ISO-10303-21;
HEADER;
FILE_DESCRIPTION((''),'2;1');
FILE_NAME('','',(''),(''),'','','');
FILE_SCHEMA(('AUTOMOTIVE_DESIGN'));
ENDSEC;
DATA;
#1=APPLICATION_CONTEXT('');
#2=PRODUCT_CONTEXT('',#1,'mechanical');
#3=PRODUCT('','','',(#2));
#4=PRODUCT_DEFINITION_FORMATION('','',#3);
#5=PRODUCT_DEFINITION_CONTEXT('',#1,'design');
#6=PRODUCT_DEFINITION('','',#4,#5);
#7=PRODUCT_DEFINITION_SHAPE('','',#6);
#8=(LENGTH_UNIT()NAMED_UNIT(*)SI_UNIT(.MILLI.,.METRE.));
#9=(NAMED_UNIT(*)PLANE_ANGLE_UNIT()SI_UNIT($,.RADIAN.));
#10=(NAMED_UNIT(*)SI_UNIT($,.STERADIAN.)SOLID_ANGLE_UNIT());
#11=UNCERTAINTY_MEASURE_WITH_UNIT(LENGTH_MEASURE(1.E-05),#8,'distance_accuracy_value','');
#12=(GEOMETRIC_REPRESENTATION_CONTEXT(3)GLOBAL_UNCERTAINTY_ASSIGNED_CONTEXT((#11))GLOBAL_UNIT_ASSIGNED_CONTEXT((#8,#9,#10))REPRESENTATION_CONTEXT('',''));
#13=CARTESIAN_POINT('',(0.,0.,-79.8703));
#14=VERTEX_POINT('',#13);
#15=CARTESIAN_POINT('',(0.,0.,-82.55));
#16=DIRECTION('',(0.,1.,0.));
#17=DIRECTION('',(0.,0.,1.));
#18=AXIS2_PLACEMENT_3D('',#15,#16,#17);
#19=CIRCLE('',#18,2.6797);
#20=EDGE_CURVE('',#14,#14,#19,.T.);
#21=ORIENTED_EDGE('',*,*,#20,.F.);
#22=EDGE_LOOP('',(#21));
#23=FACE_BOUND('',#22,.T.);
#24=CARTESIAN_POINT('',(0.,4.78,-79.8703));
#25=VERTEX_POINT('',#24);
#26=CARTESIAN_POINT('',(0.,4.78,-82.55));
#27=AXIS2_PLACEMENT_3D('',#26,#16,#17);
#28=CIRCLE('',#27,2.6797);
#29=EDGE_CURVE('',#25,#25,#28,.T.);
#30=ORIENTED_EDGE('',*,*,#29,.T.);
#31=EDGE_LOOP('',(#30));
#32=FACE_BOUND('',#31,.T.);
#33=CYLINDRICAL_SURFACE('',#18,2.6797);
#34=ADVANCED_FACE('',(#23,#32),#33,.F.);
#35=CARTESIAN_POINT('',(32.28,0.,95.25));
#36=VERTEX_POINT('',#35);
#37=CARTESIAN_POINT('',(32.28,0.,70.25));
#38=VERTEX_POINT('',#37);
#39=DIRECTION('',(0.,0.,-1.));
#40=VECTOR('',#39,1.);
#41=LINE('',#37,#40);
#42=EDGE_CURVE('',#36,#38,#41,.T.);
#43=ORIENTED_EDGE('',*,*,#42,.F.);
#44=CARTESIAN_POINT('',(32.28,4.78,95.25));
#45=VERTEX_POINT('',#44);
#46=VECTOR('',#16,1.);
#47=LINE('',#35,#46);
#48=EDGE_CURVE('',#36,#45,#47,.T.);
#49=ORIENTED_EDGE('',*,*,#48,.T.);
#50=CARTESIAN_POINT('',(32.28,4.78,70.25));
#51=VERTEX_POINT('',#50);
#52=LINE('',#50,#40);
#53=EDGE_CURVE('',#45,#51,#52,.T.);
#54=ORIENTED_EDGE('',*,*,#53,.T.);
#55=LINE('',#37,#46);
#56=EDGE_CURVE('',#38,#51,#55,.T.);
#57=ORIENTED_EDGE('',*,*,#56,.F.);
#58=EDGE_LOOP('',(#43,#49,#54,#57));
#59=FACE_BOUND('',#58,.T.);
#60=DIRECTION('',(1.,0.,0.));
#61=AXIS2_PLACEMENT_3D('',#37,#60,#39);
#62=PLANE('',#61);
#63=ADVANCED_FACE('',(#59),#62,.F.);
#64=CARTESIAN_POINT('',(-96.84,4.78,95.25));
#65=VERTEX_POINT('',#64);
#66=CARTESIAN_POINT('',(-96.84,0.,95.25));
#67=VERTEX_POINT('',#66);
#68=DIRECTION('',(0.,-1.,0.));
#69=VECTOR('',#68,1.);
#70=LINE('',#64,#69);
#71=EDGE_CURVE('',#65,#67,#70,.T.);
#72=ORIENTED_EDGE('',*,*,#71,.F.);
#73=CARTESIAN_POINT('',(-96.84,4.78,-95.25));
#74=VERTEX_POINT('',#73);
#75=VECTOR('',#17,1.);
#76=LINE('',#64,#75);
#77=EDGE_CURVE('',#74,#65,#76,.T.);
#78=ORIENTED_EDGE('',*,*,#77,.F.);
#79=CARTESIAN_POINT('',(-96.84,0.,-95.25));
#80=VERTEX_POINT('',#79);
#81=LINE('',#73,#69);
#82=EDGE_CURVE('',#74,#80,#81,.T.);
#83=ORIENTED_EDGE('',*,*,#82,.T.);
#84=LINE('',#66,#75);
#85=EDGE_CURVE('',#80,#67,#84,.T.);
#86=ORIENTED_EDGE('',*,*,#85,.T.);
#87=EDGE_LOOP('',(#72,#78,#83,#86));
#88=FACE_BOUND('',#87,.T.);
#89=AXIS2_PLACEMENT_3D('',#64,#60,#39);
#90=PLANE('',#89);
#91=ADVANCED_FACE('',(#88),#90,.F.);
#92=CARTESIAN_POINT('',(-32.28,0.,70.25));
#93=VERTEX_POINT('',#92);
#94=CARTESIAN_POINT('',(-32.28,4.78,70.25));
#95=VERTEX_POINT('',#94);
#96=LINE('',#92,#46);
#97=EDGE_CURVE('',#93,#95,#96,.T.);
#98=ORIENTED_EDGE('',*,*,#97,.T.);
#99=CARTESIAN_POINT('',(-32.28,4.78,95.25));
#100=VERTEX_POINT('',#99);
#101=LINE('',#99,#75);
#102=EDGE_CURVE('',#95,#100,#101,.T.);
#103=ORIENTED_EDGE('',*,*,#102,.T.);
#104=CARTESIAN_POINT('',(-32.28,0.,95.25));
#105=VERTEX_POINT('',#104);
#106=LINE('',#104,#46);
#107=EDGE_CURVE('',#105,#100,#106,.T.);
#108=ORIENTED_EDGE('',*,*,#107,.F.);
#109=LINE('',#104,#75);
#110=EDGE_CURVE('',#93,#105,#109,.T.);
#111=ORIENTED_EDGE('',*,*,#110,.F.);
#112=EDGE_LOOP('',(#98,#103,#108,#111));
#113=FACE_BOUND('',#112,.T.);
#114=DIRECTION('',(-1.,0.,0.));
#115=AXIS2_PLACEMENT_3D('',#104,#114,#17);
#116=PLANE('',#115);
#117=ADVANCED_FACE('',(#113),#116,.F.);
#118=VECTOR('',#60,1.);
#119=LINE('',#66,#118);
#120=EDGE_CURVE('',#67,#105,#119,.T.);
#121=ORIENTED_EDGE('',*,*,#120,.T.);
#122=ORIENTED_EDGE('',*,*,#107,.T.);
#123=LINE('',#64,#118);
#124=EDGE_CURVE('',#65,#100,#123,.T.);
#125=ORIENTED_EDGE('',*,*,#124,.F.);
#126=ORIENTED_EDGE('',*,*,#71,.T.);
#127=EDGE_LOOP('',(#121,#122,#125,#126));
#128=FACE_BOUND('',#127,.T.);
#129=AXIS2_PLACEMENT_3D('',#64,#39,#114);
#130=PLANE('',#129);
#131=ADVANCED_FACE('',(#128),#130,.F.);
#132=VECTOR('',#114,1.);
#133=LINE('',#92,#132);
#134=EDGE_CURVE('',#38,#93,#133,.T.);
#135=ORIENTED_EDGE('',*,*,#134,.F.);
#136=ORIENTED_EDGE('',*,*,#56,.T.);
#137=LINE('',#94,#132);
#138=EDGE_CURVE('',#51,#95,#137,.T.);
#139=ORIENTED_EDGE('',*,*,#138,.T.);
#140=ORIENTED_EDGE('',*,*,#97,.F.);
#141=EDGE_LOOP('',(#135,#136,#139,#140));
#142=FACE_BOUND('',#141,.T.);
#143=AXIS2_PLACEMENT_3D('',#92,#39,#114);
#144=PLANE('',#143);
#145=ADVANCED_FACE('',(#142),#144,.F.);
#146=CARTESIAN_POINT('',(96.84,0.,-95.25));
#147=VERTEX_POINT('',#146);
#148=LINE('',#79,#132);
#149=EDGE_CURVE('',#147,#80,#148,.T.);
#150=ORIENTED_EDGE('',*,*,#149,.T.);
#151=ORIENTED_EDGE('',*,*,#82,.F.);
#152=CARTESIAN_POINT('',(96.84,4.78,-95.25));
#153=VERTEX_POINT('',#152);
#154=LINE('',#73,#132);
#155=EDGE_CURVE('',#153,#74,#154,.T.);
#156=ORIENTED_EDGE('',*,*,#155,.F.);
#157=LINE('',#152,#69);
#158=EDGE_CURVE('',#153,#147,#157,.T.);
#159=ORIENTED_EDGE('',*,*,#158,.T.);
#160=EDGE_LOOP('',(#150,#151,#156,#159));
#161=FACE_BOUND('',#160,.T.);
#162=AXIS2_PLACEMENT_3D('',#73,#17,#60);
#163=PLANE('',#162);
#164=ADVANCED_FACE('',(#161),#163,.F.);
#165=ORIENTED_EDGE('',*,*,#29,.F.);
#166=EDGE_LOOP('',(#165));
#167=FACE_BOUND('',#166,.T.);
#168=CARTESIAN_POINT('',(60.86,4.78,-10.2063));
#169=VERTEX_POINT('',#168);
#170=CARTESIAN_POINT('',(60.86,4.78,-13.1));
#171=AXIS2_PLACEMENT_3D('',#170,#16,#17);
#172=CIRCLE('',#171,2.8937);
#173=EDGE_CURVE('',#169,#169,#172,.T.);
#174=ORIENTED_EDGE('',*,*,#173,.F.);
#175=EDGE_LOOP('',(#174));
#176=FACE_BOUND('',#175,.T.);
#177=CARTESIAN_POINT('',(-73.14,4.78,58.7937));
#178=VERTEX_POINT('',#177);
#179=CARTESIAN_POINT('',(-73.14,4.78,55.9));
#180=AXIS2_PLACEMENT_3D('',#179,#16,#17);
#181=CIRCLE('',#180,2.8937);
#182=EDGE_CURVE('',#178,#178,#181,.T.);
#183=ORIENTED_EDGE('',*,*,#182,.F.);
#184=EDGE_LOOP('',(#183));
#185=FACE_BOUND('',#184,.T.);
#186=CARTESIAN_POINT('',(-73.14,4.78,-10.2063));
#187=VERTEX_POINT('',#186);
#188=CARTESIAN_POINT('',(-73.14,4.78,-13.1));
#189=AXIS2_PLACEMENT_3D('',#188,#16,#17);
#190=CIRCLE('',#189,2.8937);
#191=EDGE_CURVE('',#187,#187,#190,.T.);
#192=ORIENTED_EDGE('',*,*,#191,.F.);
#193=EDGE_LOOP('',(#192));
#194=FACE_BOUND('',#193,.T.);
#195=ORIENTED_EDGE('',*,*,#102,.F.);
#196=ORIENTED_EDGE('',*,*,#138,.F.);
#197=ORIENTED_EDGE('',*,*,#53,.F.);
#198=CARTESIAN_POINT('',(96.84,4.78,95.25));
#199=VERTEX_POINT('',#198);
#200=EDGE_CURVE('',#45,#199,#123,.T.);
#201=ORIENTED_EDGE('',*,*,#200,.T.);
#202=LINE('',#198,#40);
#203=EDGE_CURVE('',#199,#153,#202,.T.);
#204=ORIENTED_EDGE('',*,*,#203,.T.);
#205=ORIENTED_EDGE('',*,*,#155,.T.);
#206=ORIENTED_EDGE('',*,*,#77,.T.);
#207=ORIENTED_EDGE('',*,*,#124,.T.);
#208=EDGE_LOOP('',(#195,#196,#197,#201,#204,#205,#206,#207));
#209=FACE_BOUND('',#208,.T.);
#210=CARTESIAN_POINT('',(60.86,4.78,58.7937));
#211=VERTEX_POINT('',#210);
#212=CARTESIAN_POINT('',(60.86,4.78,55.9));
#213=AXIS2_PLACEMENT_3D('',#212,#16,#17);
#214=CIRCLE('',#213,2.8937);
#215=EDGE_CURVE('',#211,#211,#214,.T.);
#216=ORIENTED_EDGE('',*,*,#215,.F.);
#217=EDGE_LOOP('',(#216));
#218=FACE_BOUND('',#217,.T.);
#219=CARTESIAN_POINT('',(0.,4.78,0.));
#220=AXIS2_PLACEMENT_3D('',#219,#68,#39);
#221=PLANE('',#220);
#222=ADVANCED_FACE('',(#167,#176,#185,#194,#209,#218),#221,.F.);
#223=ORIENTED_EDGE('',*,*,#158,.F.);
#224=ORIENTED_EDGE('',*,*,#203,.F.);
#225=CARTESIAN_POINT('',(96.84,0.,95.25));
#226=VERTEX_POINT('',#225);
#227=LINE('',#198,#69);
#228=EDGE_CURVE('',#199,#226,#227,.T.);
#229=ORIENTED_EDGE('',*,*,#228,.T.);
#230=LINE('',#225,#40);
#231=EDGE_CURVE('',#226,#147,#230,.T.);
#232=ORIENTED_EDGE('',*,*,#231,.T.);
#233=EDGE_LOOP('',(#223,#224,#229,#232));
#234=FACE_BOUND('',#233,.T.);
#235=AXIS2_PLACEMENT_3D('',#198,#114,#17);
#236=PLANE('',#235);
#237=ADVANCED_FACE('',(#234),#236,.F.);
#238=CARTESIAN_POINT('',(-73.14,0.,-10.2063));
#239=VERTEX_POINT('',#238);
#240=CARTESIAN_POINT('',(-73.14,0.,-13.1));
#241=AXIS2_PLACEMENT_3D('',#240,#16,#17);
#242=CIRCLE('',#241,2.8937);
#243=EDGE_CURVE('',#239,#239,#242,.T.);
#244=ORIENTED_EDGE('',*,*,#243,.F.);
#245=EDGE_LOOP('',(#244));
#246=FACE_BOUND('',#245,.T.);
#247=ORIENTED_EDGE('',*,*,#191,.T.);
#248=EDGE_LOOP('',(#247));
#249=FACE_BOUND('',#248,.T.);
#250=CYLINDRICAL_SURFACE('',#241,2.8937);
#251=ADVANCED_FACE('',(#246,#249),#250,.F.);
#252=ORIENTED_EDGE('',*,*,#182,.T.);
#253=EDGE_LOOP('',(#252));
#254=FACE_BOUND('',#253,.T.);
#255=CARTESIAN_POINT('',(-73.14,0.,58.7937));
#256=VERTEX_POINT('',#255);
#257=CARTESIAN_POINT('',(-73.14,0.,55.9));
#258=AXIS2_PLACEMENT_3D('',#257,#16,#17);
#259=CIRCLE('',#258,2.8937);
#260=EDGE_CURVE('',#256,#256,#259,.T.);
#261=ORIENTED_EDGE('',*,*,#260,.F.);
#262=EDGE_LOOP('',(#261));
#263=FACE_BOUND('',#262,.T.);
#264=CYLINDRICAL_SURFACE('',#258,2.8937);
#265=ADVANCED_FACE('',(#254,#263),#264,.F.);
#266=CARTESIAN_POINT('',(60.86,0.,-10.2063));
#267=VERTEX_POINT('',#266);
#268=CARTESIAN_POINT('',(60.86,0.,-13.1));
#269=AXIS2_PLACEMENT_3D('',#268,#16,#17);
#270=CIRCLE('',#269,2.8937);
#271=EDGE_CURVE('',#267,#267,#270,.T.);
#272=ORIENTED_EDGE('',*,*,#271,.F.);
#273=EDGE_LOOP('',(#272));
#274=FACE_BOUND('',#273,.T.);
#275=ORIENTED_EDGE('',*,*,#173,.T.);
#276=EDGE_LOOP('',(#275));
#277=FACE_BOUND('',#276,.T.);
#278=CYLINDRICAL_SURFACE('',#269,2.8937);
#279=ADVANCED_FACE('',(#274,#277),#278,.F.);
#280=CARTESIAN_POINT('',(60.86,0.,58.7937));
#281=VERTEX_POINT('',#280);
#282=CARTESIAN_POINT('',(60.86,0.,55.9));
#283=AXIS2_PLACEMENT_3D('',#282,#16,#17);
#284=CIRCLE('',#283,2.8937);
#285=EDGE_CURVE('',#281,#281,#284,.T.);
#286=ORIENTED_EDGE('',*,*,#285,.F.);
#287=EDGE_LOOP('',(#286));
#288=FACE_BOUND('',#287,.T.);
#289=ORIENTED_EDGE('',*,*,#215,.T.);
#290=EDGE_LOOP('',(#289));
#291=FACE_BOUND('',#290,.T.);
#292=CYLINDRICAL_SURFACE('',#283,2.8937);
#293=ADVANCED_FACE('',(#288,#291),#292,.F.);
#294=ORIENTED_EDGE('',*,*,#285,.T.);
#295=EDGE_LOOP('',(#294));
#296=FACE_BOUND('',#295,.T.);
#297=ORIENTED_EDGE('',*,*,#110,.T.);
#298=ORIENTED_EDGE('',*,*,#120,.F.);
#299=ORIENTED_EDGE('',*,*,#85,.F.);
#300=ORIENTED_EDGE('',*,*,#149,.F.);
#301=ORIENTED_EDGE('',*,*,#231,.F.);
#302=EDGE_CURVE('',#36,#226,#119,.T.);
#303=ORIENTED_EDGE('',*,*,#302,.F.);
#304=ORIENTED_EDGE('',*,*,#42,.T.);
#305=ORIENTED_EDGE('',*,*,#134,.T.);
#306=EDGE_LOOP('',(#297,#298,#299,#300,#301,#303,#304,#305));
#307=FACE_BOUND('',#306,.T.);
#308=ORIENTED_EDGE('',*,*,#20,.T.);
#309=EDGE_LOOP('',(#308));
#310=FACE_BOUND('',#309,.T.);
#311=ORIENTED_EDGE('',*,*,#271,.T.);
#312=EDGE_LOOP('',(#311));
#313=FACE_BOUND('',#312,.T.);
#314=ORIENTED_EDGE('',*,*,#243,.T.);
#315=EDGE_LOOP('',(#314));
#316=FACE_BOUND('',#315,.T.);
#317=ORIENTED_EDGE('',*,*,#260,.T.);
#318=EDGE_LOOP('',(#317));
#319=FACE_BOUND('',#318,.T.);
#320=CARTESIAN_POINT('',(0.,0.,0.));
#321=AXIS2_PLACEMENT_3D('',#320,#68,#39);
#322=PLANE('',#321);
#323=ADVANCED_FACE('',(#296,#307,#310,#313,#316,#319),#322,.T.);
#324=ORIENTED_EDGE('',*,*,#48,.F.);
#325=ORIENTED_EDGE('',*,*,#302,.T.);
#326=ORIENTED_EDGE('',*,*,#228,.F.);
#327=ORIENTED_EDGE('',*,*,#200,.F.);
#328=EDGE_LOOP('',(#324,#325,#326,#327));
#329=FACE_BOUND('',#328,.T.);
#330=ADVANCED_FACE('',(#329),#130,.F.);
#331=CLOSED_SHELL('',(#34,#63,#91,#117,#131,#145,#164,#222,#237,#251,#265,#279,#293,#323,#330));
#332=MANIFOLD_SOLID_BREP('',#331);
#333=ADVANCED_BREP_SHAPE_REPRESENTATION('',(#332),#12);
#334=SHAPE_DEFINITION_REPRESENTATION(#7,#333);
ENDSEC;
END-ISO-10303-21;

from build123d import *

# Parameters (mm, degrees)
SKETCH1_W           = 193.68
SKETCH1_H           = 190.5
BOSS_EXTRUDE1_DEPTH = 4.78
SKETCH2_R           = 2.6797
CUT_EXTRUDE1_DEPTH  = 5.78
CUT_EXTRUDE2_DEPTH  = 5.78
SKETCH4_R           = 2.893699953
CUT_EXTRUDE3_DEPTH  = 5.78


with BuildPart() as part:
    # Sketch1 → Boss-Extrude1 (new body)
    with BuildSketch(Plane(origin=(0, 0, 0), x_dir=(1, 0, 0), z_dir=(0, 1, 0))):
        Rectangle(SKETCH1_W, SKETCH1_H)
    extrude(amount=BOSS_EXTRUDE1_DEPTH)

    # Sketch2 → Cut-Extrude1 (cut, through all)
    with BuildSketch(Plane(origin=(0, 4.78, 0), x_dir=(1, 0, 0), z_dir=(0, 1, 0))):
        with Locations((0, 82.55)):
            Circle(SKETCH2_R)
    extrude(amount=-CUT_EXTRUDE1_DEPTH, mode=Mode.SUBTRACT)

    # Sketch3 → Cut-Extrude2 (cut, through all)
    with BuildSketch(Plane(origin=(0, 4.78, 0), x_dir=(1, 0, 0), z_dir=(0, 1, 0))):
        Polygon((0, -95.25), (-32.28, -95.25), (-32.28, -70.249999962), (32.28, -70.249999962), (32.28, -95.25), align=None)
    extrude(amount=-CUT_EXTRUDE2_DEPTH, mode=Mode.SUBTRACT)

    # Sketch4 → Cut-Extrude3 (cut, through all)
    with BuildSketch(Plane(origin=(0, 4.78, 0), x_dir=(1, 0, 0), z_dir=(0, 1, 0))):
        with Locations((-73.14, -55.899999962)):
            Circle(SKETCH4_R)
        with Locations((-73.14, 13.100000038)):
            Circle(SKETCH4_R)
        with Locations((60.86, 13.100000038)):
            Circle(SKETCH4_R)
        with Locations((60.86, -55.899999962)):
            Circle(SKETCH4_R)
    extrude(amount=-CUT_EXTRUDE3_DEPTH, mode=Mode.SUBTRACT)


solid = part.part
